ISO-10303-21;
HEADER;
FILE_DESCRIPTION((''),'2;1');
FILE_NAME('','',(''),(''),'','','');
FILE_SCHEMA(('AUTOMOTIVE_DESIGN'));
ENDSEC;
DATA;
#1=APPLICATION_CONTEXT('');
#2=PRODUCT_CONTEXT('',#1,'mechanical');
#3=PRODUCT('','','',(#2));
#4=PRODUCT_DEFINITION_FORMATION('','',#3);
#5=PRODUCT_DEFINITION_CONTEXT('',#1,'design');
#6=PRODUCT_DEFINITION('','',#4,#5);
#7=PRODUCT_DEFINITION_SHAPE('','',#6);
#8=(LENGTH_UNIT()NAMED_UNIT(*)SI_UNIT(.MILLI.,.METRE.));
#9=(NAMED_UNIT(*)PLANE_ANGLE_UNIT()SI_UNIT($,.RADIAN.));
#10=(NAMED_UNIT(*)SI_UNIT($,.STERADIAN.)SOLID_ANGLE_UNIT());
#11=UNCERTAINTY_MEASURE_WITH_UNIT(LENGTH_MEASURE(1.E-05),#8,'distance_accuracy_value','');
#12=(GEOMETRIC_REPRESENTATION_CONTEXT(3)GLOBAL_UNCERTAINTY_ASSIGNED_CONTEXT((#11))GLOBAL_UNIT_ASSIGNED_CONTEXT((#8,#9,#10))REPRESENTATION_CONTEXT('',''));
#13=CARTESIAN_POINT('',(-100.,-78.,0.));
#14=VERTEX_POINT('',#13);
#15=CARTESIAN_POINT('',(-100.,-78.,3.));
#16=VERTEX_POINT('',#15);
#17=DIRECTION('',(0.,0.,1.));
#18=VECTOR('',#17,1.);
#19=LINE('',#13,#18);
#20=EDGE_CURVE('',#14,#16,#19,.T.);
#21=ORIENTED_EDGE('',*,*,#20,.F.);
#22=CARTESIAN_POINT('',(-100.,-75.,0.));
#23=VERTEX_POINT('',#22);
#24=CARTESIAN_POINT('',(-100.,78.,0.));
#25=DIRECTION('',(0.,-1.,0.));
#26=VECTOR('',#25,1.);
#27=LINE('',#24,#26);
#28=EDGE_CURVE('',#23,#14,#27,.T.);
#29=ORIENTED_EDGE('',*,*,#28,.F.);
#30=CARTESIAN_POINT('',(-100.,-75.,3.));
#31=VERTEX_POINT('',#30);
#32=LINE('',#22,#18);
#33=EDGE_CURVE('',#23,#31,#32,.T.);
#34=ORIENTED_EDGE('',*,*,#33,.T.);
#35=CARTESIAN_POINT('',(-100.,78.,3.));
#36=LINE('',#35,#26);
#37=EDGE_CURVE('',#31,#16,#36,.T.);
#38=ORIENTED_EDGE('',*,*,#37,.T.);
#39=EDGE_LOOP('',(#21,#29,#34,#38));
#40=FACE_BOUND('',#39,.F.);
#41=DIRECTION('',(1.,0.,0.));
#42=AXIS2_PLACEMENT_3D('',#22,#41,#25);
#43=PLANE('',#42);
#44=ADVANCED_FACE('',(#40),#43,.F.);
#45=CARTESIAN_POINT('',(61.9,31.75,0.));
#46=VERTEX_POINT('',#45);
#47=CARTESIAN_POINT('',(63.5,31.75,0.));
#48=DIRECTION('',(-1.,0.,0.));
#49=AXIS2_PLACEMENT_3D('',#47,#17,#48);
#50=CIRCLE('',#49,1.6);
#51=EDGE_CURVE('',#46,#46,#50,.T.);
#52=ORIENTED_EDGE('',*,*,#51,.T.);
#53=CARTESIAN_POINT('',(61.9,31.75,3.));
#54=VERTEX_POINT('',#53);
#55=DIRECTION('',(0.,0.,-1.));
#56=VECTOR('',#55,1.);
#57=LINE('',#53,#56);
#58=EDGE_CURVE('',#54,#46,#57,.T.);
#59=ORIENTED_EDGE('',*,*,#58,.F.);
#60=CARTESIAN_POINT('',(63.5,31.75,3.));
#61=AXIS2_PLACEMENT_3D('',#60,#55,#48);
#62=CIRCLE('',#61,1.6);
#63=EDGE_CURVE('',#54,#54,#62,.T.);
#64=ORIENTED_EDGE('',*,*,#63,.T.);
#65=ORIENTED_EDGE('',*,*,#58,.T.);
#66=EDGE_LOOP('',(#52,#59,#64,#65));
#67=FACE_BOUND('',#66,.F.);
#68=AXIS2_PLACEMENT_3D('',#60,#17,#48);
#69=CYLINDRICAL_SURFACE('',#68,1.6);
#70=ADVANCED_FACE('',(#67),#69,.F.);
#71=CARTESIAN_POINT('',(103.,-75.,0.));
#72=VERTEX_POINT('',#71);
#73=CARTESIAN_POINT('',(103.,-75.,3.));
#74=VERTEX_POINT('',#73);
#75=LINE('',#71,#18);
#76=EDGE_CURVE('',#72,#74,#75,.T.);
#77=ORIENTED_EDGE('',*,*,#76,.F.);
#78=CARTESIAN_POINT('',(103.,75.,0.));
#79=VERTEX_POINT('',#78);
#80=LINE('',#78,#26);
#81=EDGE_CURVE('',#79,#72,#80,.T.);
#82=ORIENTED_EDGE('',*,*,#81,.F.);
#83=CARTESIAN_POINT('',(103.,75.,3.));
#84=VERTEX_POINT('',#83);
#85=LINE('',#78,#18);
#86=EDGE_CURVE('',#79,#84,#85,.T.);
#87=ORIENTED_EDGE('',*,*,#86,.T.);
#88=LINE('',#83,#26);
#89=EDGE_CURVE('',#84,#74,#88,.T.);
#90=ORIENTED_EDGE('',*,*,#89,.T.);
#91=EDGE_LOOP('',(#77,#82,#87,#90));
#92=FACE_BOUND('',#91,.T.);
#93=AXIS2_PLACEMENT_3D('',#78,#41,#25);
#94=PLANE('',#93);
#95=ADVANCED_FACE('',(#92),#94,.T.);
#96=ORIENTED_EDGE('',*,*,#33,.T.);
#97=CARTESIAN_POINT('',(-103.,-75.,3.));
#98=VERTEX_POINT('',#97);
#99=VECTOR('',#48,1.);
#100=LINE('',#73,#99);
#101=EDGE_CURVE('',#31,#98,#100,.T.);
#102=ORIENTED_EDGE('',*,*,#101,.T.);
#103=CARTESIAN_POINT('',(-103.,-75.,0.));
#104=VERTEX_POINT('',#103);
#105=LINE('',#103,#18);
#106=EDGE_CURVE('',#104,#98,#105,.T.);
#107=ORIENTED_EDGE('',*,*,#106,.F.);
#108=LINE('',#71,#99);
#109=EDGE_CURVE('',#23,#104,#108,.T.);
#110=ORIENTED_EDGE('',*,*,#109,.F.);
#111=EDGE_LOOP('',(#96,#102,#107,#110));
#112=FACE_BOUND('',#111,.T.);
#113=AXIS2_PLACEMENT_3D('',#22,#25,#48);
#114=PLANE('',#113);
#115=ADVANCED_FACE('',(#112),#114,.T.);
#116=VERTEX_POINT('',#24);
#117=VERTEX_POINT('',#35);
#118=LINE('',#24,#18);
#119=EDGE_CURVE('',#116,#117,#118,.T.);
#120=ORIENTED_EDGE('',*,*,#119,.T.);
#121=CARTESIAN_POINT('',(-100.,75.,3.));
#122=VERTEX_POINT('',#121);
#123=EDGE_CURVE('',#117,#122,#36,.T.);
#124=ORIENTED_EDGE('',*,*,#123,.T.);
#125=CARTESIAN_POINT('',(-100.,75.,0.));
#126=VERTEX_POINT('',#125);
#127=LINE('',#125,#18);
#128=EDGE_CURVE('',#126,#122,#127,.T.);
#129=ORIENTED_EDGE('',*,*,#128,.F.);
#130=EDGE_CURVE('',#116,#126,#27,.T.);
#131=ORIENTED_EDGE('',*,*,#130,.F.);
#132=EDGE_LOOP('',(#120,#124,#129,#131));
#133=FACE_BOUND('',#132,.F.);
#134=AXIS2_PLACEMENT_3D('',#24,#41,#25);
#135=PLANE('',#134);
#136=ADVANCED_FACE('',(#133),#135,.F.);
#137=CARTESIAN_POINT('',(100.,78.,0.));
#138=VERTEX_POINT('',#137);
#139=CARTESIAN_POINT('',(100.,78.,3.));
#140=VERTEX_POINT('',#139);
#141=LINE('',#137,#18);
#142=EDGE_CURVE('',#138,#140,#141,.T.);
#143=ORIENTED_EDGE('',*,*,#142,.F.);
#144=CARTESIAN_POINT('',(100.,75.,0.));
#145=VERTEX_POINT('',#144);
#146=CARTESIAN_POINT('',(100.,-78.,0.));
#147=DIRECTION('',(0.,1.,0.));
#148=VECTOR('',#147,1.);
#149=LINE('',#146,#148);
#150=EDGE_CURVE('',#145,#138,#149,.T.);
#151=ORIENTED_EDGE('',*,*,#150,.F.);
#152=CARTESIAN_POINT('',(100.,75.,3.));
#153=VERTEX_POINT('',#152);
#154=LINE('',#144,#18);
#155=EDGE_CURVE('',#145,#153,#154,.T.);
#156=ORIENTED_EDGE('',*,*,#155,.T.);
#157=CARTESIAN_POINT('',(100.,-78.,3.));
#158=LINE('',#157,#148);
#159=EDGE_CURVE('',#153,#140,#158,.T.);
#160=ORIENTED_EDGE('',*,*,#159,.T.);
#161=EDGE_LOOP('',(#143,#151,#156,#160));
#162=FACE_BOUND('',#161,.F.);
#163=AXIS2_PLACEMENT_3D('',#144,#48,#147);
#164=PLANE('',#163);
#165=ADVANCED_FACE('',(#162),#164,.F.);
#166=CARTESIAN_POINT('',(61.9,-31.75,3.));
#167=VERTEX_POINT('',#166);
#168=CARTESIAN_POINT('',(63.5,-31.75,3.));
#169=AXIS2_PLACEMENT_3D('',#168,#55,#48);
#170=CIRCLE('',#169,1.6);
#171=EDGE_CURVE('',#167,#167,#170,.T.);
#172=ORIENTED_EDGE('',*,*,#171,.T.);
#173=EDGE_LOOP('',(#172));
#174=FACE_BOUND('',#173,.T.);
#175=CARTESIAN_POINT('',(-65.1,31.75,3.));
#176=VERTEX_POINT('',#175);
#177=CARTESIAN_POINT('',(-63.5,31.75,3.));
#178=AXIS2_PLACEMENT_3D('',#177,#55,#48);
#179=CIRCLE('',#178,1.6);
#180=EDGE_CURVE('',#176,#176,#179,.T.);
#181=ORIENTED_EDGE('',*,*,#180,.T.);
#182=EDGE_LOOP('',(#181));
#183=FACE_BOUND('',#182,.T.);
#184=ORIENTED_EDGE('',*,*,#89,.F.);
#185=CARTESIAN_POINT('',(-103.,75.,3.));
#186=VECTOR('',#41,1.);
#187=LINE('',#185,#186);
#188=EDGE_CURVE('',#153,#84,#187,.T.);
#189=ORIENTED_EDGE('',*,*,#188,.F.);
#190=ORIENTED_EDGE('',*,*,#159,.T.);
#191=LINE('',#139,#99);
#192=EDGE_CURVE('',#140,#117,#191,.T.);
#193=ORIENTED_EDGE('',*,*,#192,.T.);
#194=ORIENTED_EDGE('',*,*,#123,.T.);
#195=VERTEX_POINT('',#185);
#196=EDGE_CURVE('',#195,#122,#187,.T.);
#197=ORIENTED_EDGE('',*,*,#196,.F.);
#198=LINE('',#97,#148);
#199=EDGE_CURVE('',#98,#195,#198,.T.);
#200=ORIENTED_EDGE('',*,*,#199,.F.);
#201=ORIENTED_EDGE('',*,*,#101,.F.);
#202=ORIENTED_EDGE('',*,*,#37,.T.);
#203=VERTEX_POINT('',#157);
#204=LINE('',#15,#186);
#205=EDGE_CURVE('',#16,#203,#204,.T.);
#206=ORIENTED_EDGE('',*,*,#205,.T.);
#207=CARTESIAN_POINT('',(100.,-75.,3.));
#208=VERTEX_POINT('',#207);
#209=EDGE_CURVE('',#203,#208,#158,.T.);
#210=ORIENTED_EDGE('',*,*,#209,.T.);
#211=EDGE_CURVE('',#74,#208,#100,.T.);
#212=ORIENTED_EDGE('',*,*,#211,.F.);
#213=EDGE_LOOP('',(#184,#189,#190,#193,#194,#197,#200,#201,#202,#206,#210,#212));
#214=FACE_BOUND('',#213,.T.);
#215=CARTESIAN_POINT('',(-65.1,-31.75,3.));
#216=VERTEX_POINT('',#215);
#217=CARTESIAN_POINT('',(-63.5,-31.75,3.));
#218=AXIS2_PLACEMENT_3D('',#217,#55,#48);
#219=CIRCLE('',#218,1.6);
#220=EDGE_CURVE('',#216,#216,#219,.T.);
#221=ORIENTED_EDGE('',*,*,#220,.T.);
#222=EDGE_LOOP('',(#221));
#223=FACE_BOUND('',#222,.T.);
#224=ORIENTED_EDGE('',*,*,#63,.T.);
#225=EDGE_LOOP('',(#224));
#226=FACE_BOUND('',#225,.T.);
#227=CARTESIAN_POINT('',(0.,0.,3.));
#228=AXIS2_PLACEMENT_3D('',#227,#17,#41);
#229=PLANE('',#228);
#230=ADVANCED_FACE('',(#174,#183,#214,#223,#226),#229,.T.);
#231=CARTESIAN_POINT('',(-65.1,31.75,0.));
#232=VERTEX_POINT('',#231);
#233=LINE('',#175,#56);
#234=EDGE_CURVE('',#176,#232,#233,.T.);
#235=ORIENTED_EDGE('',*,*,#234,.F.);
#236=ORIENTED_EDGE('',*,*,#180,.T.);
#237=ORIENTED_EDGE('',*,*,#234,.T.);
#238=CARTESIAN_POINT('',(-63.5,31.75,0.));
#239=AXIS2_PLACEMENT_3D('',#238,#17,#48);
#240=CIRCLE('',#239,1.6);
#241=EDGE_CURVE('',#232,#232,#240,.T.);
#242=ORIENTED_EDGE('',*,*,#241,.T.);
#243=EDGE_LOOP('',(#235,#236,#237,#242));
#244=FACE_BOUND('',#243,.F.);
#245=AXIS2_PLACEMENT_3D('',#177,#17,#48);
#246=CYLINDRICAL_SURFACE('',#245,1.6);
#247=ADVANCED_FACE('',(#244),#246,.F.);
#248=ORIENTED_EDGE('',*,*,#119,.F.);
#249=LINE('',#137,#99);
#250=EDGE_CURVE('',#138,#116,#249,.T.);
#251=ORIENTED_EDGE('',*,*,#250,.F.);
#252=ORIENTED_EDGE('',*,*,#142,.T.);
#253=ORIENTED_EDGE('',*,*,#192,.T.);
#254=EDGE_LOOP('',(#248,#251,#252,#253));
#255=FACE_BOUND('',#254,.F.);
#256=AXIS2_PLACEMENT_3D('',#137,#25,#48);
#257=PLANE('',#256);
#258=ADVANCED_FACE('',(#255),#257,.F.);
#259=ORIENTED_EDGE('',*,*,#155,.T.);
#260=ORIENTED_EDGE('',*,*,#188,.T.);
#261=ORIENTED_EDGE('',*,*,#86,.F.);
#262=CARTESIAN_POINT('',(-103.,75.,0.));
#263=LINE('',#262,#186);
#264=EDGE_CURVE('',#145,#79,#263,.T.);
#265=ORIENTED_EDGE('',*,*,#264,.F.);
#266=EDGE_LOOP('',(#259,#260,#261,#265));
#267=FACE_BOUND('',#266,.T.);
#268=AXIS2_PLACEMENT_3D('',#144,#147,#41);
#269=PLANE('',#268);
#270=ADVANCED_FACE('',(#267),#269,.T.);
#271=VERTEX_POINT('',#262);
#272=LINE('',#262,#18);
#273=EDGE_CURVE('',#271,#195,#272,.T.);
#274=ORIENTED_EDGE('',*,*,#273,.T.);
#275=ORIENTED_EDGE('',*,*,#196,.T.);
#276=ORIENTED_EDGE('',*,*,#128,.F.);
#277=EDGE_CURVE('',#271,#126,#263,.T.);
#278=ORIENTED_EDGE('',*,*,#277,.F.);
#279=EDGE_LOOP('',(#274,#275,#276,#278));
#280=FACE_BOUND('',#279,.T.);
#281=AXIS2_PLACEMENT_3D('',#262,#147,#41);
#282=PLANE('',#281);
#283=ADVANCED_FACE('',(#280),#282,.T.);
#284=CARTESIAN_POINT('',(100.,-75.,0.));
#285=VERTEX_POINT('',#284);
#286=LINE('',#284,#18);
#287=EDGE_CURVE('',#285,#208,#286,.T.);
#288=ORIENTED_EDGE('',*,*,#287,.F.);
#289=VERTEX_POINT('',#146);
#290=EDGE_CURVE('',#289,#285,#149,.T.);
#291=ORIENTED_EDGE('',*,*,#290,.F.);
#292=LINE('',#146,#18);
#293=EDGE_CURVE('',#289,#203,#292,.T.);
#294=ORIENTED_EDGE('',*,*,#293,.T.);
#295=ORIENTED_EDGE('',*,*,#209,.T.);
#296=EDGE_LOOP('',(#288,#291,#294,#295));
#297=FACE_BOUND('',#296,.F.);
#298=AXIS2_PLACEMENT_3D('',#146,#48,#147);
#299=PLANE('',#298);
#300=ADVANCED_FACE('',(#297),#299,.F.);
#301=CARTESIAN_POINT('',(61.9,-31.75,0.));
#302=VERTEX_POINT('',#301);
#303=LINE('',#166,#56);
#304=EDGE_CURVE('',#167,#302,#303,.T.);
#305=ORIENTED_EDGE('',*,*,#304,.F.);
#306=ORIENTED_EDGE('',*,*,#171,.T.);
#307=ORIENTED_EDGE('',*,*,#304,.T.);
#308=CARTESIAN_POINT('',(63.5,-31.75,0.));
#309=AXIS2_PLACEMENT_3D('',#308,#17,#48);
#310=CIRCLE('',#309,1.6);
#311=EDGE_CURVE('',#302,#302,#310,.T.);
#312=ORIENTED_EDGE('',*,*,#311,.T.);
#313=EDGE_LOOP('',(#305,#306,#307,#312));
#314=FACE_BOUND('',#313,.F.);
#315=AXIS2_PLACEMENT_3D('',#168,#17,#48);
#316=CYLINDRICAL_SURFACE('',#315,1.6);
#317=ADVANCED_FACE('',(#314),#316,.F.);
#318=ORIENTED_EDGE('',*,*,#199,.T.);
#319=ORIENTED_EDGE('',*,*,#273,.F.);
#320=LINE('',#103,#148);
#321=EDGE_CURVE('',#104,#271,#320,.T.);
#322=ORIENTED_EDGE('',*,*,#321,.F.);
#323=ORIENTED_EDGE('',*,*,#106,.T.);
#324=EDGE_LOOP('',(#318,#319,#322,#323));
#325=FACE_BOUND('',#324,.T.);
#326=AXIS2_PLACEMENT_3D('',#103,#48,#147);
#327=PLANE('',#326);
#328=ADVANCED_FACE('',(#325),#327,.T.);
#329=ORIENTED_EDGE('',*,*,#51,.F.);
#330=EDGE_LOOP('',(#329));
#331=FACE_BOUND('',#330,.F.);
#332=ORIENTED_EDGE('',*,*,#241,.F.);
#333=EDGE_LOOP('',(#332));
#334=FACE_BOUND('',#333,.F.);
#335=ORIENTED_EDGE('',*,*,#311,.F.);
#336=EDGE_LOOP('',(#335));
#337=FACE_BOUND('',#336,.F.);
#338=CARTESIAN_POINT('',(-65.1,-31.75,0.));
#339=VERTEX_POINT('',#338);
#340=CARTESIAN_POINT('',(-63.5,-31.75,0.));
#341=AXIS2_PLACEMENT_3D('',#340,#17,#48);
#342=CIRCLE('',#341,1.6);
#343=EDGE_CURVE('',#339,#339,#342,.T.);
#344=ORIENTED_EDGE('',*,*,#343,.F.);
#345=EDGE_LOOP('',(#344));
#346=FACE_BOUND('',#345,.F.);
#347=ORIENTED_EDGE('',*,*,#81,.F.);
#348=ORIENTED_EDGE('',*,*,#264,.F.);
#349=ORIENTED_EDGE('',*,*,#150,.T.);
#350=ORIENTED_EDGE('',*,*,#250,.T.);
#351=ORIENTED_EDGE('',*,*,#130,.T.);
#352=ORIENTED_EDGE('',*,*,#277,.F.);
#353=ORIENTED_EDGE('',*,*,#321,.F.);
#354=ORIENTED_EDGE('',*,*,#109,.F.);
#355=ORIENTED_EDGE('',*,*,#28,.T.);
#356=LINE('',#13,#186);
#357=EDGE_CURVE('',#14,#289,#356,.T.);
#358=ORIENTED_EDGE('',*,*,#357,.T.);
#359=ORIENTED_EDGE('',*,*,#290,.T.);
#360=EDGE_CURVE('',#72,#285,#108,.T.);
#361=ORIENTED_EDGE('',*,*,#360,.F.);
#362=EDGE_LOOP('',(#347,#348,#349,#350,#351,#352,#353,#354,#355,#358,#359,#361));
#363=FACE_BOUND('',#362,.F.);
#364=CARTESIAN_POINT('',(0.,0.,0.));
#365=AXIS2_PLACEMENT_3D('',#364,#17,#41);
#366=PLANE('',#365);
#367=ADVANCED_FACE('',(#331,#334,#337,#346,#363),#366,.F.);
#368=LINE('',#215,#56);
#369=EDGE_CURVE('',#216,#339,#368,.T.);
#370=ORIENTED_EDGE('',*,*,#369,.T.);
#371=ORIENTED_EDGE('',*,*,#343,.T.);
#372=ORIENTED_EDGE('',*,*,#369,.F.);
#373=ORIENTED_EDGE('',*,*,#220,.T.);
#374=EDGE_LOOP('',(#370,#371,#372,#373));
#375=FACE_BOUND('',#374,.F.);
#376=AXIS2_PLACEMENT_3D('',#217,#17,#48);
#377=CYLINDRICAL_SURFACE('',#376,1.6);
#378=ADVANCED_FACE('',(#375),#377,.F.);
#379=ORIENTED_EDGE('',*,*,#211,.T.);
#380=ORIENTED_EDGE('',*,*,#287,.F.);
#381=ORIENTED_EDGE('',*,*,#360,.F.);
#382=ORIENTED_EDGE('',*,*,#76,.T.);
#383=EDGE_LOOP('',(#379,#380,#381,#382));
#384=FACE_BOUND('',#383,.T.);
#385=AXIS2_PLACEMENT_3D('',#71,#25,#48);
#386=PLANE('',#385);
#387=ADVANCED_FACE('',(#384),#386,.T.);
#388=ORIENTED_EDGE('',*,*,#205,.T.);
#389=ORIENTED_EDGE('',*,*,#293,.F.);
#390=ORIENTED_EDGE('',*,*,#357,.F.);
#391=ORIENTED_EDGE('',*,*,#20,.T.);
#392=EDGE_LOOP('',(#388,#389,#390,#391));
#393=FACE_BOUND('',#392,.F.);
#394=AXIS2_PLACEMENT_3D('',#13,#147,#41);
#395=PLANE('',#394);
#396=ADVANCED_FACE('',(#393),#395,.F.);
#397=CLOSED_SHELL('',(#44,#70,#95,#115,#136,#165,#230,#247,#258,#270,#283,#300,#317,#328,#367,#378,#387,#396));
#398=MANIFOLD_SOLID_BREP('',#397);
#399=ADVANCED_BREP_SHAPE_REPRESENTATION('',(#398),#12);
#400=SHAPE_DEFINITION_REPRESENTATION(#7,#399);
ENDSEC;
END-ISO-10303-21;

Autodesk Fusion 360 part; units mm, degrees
sketch "Esquisse1" plane through (0, 0, 0) normal (0, 0, 1) x (1, 0, 0)
  line L0 (100, 78) -> (-100, 78)
  line L1 (-100, 78) -> (-100, -78)
  line L2 (-100, -78) -> (100, -78)
  line L3 (100, -78) -> (100, 78)
  line L4 (100, 78) -> (-100, -78) construction
  line L5 (-100, 78) -> (100, -78) construction
  line L6 (103, -75) -> (-103, -75)
  line L7 (-103, -75) -> (-103, 75)
  line L8 (-103, 75) -> (103, 75)
  line L9 (103, 75) -> (103, -75)
  line L10 (103, -75) -> (-103, 75) construction
  line L11 (-103, -75) -> (103, 75) construction
  dimension "d1" = 200
  dimension "d2" = 206
  dimension "d3" = 150
  dimension "d4" = 156
extrude "Extrusion1" add sketch "Esquisse1" along normal blind 3
sketch "Esquisse3" plane through (0, 0, 3) normal (0, 0, 1) x (-1, 0, 0)
  line L0 (-100, -75) -> (-100, -78)
  line L1 (-100, -78) -> (100, -78)
  line L2 (100, -78) -> (100, -75)
  line L3 (100, -75) -> (103, -75)
  line L4 (103, -75) -> (103, 75)
  line L5 (103, 75) -> (100, 75)
  line L6 (100, 75) -> (100, 78)
  line L7 (100, 78) -> (-100, 78)
  line L8 (-100, 78) -> (-100, 75)
  line L9 (-100, 75) -> (-103, 75)
  line L10 (-103, 75) -> (-103, -75)
  line L11 (-103, -75) -> (-100, -75)
  line L12 (-63.5, 31.75) -> (63.5, 31.75)
  line L13 (63.5, 31.75) -> (63.5, -31.75)
  line L14 (63.5, -31.75) -> (-63.5, -31.75)
  line L15 (-63.5, -31.75) -> (-63.5, 31.75)
  line L16 (-63.5, 31.75) -> (63.5, -31.75) construction
  line L17 (63.5, 31.75) -> (-63.5, -31.75) construction
  circle A0 centre (63.5, -31.75) radius 1.6
  circle A1 centre (63.5, 31.75) radius 1.6
  circle A2 centre (-63.5, -31.75) radius 1.6
  circle A3 centre (-63.5, 31.75) radius 1.6
  dimension "d18" = 63.5
  dimension "d19" = 127
  dimension "d20" = 3.2
  dimension "d21" = 3.2
  dimension "d22" = 3.2
  dimension "d23" = 3.2
extrude "Extrusion3" cut sketch "Esquisse3" against normal blind 3 contours L12 L15 A3 | L12 L15 A3 | L12 L13 A1 | L12 L13 A1 | L14 L15 A2 | L14 L15 A2 | L13 L14 A0 | L13 L14 A0
equation "d2 = d1 + ( 2 * 3 ) * 1 mm"
equation "d4 = d3 + ( 2 * 3 ) * 1 mm"
